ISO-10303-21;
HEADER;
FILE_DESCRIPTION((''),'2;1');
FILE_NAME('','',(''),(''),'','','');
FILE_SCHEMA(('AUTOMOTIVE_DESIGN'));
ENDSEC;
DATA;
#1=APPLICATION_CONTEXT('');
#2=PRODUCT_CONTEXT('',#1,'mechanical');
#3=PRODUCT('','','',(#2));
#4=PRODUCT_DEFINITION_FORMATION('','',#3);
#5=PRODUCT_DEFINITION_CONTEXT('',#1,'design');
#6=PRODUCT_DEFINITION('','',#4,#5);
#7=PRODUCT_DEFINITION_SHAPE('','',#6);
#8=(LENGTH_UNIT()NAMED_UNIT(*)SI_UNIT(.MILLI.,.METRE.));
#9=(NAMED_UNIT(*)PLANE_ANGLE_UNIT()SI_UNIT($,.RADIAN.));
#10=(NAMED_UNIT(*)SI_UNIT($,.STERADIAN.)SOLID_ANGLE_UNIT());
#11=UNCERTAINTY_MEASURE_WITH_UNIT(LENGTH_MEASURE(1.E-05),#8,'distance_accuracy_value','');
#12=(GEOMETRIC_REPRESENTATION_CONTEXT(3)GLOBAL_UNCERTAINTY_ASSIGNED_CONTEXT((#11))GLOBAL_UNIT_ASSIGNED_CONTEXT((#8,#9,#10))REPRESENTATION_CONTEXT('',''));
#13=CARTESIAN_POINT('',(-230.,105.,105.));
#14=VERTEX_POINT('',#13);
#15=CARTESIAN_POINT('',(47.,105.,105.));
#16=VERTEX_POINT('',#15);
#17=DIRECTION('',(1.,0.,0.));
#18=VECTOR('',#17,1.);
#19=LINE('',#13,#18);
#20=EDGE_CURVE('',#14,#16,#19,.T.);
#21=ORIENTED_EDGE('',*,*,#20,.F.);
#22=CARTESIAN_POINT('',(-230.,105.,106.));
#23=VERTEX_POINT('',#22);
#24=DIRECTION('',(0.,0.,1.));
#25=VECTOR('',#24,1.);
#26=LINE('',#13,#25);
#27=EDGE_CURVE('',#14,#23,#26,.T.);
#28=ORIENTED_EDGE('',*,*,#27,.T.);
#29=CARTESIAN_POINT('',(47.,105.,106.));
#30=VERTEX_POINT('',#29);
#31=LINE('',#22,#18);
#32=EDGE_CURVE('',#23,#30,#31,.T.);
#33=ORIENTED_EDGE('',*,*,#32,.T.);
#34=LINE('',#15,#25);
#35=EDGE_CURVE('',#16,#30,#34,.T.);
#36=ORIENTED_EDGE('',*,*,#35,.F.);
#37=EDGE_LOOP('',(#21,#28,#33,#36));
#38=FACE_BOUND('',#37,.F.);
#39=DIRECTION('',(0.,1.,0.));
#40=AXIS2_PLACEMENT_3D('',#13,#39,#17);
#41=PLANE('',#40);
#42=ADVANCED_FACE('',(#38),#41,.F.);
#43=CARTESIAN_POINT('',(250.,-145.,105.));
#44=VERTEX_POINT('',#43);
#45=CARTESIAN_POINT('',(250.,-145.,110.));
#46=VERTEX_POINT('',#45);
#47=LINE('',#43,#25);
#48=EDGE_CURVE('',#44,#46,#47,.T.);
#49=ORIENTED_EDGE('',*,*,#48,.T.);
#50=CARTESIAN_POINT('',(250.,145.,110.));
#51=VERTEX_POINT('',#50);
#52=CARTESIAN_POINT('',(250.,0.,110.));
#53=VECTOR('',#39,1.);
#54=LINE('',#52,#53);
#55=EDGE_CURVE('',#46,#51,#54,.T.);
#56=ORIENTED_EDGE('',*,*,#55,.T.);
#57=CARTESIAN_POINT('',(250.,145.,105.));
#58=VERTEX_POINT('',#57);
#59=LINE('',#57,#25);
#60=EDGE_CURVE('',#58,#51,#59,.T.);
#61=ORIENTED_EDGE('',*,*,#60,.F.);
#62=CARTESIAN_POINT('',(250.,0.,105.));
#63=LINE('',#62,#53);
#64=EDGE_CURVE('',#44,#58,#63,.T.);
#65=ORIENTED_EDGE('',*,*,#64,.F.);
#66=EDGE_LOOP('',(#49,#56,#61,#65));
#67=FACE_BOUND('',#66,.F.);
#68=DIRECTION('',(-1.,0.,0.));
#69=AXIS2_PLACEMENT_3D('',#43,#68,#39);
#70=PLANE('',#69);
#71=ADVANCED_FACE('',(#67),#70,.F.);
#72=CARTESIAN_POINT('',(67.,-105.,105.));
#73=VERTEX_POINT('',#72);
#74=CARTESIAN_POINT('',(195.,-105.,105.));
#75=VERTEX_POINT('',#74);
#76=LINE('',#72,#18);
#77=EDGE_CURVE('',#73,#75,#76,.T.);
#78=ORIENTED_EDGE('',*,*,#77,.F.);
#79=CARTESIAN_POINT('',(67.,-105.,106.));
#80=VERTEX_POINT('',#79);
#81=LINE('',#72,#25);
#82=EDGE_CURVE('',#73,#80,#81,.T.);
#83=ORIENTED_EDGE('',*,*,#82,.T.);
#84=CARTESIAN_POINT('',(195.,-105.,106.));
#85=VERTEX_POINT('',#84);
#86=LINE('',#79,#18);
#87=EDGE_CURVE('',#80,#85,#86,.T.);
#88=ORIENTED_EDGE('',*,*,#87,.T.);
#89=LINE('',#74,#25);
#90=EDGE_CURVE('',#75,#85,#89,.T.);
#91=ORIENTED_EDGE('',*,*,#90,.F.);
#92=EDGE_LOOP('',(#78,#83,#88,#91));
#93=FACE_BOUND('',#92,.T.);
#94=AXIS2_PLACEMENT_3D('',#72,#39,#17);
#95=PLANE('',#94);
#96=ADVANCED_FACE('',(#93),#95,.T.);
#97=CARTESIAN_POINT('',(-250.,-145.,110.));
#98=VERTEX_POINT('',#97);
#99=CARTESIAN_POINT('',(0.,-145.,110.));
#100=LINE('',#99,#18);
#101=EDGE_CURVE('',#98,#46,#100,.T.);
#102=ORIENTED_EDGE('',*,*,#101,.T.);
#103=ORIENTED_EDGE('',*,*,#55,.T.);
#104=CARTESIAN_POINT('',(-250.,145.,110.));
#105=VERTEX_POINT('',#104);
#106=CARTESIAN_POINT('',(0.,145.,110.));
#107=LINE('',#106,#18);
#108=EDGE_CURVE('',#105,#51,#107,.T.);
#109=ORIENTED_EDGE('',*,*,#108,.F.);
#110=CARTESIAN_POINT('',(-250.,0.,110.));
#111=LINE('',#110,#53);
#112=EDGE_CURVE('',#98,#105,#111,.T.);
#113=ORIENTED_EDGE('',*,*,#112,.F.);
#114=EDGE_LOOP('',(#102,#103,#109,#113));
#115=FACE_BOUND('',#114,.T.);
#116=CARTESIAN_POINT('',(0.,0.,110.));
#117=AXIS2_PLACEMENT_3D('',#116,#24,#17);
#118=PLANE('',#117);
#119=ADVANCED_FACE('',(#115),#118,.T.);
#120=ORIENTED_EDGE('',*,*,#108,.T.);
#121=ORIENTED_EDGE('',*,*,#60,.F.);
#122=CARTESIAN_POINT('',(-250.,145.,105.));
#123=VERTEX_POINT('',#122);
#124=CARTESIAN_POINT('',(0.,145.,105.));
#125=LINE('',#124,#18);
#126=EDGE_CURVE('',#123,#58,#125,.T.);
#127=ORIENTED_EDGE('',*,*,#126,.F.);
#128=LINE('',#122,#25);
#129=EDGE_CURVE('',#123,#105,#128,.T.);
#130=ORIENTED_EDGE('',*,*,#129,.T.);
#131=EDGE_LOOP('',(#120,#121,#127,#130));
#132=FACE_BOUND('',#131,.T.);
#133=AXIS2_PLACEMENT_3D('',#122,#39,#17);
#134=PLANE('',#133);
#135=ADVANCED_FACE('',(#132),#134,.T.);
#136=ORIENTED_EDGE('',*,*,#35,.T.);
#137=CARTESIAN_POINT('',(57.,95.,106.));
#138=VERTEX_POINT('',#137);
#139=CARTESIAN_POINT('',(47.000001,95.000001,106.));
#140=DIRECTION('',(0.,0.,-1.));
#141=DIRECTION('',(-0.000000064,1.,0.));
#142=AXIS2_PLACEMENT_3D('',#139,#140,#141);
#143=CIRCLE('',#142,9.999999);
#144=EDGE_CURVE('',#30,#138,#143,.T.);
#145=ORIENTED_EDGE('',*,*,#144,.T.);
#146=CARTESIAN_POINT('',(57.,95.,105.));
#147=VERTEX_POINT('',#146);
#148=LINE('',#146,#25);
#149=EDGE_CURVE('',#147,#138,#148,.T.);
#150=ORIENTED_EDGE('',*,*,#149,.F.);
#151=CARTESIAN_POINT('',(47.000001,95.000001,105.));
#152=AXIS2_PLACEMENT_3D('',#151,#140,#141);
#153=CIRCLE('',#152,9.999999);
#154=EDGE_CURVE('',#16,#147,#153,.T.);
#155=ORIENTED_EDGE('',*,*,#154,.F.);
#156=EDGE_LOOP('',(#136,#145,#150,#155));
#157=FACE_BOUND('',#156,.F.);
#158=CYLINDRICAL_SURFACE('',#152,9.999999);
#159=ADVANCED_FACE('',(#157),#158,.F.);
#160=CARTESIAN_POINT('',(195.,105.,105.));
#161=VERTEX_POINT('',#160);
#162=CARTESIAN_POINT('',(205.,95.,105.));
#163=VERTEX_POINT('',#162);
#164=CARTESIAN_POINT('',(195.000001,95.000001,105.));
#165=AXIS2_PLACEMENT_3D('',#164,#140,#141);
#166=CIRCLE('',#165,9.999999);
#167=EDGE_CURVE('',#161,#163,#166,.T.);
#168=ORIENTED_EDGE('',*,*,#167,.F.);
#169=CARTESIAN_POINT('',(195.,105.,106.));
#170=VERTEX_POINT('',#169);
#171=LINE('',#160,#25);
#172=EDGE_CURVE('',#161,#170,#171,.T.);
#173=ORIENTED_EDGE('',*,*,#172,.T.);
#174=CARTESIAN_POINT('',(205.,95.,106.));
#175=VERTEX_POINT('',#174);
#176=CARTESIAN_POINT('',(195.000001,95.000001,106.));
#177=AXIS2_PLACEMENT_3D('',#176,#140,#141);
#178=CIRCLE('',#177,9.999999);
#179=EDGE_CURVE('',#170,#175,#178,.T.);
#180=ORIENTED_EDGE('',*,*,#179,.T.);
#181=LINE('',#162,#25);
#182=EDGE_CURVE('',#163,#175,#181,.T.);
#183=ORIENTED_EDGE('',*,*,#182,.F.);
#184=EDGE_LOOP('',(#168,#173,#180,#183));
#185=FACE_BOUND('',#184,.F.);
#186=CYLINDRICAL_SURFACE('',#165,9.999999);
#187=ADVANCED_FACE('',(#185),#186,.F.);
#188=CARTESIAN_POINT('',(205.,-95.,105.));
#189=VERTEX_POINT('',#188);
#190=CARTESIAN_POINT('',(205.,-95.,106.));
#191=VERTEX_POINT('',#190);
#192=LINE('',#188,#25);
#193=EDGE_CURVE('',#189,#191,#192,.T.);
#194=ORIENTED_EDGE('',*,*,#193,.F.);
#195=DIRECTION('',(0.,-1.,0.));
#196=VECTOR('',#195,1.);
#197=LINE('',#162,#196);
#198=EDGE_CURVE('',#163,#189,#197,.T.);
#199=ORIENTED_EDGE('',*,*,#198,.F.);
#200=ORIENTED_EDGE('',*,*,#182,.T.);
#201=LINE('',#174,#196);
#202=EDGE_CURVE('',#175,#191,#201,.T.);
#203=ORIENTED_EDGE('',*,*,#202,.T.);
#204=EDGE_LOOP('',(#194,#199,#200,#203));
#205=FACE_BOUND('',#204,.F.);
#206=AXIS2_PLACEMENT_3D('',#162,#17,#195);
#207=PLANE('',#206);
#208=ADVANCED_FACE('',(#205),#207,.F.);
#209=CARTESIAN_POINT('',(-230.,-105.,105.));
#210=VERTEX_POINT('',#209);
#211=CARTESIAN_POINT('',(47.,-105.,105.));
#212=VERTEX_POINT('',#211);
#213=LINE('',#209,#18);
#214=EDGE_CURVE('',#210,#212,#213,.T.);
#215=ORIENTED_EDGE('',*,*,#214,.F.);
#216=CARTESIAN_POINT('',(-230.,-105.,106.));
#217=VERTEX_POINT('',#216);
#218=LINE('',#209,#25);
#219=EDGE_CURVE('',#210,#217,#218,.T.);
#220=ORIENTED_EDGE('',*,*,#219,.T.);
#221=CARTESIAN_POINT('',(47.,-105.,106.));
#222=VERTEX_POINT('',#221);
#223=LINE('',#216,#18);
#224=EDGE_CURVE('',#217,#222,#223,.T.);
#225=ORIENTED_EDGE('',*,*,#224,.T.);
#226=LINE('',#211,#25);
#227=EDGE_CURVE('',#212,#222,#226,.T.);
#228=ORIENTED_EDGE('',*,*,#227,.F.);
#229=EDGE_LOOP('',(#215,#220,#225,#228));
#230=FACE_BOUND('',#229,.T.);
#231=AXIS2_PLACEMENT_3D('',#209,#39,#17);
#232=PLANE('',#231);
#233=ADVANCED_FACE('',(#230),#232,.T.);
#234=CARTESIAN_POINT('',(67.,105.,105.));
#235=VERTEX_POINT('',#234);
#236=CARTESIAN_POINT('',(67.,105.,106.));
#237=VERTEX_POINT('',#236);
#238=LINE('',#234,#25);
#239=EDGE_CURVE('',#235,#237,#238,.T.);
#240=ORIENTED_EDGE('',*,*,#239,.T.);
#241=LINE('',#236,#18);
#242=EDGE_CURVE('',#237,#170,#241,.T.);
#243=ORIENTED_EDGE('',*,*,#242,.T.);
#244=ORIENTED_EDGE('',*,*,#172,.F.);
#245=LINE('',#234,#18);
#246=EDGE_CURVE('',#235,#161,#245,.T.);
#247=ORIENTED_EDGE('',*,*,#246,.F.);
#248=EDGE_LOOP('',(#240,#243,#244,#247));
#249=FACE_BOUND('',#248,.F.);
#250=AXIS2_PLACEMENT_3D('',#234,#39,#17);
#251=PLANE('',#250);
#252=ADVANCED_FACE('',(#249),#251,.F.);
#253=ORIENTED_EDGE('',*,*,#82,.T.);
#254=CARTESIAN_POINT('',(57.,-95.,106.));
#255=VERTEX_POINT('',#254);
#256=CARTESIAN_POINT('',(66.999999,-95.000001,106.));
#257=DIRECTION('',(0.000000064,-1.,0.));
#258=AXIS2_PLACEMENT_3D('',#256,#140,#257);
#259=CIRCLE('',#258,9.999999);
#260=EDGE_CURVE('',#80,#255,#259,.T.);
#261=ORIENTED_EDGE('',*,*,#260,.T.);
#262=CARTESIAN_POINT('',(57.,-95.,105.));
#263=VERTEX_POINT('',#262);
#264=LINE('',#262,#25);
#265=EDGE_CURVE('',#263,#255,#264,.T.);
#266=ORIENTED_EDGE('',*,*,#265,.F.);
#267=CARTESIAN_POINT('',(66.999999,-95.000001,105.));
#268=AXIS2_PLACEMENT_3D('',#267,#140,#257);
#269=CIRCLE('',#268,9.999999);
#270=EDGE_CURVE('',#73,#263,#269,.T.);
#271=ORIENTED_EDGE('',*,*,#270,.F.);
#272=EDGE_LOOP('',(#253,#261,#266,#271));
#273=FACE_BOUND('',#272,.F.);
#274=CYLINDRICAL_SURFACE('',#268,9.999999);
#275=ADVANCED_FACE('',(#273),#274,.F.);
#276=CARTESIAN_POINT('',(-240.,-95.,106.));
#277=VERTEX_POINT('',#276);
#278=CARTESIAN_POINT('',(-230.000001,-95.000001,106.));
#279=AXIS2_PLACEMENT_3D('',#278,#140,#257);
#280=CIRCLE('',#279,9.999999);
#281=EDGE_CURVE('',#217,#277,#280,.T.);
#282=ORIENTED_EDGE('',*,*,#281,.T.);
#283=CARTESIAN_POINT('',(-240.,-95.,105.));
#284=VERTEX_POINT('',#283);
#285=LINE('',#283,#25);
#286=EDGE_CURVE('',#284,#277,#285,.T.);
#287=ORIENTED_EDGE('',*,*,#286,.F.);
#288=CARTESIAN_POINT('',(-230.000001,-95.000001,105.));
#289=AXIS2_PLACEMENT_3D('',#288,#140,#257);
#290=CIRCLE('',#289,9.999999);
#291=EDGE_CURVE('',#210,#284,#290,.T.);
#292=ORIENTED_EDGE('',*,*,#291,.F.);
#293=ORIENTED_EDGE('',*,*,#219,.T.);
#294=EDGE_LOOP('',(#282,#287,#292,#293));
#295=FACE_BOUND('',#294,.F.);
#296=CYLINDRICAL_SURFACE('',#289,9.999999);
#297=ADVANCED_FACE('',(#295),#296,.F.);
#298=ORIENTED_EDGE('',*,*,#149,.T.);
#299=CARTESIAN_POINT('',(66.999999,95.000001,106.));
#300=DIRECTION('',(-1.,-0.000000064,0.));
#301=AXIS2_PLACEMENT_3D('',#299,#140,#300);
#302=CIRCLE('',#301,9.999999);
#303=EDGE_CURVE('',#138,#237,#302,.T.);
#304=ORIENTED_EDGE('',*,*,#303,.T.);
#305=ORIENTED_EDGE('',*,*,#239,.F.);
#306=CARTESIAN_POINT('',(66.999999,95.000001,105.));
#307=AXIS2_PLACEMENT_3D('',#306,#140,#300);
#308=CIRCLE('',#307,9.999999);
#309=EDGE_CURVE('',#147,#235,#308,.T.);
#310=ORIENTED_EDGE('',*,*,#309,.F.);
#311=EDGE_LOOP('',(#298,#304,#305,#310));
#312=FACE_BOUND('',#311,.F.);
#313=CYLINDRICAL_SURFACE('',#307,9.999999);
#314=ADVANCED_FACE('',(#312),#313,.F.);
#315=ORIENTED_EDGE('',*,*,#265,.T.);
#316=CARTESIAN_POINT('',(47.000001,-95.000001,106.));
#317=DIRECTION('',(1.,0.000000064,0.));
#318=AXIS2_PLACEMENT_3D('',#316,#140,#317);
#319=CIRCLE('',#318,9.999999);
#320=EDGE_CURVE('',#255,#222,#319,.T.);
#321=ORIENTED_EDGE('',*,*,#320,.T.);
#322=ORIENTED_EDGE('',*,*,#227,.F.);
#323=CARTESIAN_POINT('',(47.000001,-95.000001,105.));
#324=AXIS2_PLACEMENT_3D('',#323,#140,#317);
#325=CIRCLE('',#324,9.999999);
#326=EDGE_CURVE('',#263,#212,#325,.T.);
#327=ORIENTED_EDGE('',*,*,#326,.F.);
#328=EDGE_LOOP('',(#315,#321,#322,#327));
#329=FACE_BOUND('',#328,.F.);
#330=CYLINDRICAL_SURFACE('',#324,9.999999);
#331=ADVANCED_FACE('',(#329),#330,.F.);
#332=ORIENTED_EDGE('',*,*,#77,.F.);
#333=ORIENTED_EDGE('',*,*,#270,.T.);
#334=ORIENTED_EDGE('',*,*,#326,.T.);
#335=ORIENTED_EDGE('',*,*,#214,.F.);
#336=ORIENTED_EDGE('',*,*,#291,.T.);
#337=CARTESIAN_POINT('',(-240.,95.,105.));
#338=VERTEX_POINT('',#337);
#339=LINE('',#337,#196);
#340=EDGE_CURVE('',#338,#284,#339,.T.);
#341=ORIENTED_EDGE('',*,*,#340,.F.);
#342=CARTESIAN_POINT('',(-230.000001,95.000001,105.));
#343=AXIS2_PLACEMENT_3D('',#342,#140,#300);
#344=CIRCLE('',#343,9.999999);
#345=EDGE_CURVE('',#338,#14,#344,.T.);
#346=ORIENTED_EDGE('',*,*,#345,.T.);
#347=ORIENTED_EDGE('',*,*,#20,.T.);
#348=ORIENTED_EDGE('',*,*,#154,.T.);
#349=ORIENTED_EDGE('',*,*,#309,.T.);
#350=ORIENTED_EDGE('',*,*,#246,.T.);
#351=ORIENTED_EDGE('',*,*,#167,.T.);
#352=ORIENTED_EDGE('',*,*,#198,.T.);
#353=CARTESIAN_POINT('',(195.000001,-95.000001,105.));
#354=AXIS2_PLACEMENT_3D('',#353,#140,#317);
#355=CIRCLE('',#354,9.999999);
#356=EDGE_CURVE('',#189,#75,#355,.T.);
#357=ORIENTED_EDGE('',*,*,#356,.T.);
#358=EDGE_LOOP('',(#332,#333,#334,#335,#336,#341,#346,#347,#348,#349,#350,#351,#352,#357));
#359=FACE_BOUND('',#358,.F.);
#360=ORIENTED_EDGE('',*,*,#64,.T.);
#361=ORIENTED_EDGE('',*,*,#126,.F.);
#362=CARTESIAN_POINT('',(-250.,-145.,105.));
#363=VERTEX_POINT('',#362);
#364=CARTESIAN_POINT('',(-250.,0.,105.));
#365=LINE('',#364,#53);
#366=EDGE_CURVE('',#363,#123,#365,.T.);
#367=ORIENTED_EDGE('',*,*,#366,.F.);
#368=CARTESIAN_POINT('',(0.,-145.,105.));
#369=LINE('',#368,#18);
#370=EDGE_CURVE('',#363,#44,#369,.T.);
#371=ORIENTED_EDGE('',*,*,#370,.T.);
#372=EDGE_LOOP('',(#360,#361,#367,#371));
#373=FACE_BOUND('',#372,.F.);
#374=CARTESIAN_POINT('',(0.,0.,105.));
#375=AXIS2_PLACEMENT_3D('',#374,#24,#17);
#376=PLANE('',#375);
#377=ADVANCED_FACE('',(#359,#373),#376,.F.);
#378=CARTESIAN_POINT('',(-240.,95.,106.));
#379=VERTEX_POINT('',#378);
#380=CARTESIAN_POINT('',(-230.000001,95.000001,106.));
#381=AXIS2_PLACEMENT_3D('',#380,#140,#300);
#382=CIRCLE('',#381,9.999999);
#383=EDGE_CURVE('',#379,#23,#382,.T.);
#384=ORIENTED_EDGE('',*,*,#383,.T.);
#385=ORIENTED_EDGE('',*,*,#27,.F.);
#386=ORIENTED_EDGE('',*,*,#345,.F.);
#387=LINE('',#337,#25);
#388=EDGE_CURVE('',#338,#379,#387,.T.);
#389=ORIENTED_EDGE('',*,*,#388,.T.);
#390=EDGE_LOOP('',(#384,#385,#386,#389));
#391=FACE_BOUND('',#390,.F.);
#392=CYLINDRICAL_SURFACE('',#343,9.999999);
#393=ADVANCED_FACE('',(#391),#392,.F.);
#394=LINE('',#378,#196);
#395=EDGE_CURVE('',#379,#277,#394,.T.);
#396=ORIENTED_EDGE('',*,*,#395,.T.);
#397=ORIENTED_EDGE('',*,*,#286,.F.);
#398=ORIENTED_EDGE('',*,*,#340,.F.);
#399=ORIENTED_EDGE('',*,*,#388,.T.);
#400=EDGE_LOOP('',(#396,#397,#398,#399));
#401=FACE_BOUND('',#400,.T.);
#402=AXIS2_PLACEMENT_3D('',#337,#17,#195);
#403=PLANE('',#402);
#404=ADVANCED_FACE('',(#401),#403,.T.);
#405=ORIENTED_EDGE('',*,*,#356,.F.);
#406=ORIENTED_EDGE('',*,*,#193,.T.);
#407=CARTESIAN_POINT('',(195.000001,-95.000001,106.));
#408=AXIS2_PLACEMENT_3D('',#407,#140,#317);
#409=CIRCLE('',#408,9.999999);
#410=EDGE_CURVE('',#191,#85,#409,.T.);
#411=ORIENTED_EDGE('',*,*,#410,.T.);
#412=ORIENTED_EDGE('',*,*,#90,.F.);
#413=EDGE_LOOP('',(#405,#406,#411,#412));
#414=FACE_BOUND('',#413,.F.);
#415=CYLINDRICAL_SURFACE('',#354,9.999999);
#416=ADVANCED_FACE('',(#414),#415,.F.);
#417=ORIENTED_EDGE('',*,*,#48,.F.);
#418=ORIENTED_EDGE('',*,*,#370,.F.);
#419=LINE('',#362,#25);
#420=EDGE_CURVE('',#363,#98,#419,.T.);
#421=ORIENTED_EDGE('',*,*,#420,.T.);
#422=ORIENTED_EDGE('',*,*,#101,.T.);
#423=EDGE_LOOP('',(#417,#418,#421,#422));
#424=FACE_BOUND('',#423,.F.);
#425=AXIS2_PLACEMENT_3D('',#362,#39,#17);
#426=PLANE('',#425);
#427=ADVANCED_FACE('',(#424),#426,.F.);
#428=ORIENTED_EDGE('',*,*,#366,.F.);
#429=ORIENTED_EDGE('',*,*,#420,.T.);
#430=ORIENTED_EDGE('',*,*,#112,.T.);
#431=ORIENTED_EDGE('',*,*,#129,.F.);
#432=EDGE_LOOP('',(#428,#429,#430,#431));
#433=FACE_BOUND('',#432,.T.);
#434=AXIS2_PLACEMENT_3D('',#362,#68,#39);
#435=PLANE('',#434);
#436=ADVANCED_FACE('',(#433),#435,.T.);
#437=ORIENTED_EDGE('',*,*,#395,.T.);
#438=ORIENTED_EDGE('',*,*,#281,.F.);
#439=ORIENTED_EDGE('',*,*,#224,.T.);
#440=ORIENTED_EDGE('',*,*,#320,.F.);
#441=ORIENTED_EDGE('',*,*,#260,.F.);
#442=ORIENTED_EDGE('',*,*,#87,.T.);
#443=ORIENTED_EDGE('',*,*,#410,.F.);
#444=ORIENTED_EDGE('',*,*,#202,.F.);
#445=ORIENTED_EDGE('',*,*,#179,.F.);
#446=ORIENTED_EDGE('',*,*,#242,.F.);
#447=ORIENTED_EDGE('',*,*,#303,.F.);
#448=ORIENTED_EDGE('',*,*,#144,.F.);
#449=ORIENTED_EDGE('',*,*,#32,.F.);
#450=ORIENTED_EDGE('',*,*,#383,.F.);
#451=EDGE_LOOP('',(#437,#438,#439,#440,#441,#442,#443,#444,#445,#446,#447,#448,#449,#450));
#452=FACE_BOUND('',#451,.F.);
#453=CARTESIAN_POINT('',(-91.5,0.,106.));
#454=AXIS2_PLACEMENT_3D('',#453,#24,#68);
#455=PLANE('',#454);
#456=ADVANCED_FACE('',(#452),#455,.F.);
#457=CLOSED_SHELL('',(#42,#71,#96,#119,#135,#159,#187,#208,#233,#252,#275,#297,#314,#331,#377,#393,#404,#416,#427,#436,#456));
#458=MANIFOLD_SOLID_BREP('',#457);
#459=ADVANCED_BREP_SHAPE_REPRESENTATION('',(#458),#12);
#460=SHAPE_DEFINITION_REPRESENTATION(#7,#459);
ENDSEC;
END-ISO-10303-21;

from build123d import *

# Parameters (mm, degrees)
SKETCH005_W     = 500
SKETCH005_H     = 290
PAD005_DEPTH    = 5
POCKET_DEPTH    = 1
POCKET001_DEPTH = 1


with BuildPart() as part:
    # Sketch005 → Pad005 (new body)
    with BuildSketch(Plane.XY):
        Rectangle(SKETCH005_W, SKETCH005_H)
    extrude(amount=PAD005_DEPTH)

    # Sketch006 (on Face5 of Pad005) → Pocket (cut)
    with BuildSketch(Plane(origin=(0, 0, 0), x_dir=(1, 0, 0), z_dir=(0, 0, -1))):
        with BuildLine():
            Line((-230, 105), (47, 105))
            ThreePointArc((57, 95), (54.071068, 102.071068), (47, 105))
            Line((57, -95), (57, 95))
            ThreePointArc((47, -105), (54.071068, -102.071068), (57, -95))
            Line((-230, -105), (47, -105))
            ThreePointArc((-240, -95), (-237.071068, -102.071068), (-230, -105))
            Line((-240, -95), (-240, 95))
            ThreePointArc((-230, 105), (-237.071068, 102.071068), (-240, 95))
        make_face()
    extrude(amount=-POCKET_DEPTH, mode=Mode.SUBTRACT)

    # Sketch007 (on Face4 of Pocket) → Pocket001 (cut)
    with BuildSketch(Plane(origin=(0, 0, 0), x_dir=(1, 0, 0), z_dir=(0, 0, -1))):
        with BuildLine():
            Line((67, 105), (195, 105))
            ThreePointArc((205, 95), (202.071068, 102.071068), (195, 105))
            Line((205, -95), (205, 95))
            ThreePointArc((195, -105), (202.071068, -102.071068), (205, -95))
            Line((67, -105), (195, -105))
            ThreePointArc((57, -95), (59.928932, -102.071068), (67, -105))
            Line((57, -95), (57, 95))
            ThreePointArc((67, 105), (59.928932, 102.071068), (57, 95))
        make_face()
    extrude(amount=-POCKET001_DEPTH, mode=Mode.SUBTRACT)


with BuildPart() as part_1:
    # Body005 placement: moved
    add(part.part.moved(Location((0, 0, 105))))


solid = part_1.part
